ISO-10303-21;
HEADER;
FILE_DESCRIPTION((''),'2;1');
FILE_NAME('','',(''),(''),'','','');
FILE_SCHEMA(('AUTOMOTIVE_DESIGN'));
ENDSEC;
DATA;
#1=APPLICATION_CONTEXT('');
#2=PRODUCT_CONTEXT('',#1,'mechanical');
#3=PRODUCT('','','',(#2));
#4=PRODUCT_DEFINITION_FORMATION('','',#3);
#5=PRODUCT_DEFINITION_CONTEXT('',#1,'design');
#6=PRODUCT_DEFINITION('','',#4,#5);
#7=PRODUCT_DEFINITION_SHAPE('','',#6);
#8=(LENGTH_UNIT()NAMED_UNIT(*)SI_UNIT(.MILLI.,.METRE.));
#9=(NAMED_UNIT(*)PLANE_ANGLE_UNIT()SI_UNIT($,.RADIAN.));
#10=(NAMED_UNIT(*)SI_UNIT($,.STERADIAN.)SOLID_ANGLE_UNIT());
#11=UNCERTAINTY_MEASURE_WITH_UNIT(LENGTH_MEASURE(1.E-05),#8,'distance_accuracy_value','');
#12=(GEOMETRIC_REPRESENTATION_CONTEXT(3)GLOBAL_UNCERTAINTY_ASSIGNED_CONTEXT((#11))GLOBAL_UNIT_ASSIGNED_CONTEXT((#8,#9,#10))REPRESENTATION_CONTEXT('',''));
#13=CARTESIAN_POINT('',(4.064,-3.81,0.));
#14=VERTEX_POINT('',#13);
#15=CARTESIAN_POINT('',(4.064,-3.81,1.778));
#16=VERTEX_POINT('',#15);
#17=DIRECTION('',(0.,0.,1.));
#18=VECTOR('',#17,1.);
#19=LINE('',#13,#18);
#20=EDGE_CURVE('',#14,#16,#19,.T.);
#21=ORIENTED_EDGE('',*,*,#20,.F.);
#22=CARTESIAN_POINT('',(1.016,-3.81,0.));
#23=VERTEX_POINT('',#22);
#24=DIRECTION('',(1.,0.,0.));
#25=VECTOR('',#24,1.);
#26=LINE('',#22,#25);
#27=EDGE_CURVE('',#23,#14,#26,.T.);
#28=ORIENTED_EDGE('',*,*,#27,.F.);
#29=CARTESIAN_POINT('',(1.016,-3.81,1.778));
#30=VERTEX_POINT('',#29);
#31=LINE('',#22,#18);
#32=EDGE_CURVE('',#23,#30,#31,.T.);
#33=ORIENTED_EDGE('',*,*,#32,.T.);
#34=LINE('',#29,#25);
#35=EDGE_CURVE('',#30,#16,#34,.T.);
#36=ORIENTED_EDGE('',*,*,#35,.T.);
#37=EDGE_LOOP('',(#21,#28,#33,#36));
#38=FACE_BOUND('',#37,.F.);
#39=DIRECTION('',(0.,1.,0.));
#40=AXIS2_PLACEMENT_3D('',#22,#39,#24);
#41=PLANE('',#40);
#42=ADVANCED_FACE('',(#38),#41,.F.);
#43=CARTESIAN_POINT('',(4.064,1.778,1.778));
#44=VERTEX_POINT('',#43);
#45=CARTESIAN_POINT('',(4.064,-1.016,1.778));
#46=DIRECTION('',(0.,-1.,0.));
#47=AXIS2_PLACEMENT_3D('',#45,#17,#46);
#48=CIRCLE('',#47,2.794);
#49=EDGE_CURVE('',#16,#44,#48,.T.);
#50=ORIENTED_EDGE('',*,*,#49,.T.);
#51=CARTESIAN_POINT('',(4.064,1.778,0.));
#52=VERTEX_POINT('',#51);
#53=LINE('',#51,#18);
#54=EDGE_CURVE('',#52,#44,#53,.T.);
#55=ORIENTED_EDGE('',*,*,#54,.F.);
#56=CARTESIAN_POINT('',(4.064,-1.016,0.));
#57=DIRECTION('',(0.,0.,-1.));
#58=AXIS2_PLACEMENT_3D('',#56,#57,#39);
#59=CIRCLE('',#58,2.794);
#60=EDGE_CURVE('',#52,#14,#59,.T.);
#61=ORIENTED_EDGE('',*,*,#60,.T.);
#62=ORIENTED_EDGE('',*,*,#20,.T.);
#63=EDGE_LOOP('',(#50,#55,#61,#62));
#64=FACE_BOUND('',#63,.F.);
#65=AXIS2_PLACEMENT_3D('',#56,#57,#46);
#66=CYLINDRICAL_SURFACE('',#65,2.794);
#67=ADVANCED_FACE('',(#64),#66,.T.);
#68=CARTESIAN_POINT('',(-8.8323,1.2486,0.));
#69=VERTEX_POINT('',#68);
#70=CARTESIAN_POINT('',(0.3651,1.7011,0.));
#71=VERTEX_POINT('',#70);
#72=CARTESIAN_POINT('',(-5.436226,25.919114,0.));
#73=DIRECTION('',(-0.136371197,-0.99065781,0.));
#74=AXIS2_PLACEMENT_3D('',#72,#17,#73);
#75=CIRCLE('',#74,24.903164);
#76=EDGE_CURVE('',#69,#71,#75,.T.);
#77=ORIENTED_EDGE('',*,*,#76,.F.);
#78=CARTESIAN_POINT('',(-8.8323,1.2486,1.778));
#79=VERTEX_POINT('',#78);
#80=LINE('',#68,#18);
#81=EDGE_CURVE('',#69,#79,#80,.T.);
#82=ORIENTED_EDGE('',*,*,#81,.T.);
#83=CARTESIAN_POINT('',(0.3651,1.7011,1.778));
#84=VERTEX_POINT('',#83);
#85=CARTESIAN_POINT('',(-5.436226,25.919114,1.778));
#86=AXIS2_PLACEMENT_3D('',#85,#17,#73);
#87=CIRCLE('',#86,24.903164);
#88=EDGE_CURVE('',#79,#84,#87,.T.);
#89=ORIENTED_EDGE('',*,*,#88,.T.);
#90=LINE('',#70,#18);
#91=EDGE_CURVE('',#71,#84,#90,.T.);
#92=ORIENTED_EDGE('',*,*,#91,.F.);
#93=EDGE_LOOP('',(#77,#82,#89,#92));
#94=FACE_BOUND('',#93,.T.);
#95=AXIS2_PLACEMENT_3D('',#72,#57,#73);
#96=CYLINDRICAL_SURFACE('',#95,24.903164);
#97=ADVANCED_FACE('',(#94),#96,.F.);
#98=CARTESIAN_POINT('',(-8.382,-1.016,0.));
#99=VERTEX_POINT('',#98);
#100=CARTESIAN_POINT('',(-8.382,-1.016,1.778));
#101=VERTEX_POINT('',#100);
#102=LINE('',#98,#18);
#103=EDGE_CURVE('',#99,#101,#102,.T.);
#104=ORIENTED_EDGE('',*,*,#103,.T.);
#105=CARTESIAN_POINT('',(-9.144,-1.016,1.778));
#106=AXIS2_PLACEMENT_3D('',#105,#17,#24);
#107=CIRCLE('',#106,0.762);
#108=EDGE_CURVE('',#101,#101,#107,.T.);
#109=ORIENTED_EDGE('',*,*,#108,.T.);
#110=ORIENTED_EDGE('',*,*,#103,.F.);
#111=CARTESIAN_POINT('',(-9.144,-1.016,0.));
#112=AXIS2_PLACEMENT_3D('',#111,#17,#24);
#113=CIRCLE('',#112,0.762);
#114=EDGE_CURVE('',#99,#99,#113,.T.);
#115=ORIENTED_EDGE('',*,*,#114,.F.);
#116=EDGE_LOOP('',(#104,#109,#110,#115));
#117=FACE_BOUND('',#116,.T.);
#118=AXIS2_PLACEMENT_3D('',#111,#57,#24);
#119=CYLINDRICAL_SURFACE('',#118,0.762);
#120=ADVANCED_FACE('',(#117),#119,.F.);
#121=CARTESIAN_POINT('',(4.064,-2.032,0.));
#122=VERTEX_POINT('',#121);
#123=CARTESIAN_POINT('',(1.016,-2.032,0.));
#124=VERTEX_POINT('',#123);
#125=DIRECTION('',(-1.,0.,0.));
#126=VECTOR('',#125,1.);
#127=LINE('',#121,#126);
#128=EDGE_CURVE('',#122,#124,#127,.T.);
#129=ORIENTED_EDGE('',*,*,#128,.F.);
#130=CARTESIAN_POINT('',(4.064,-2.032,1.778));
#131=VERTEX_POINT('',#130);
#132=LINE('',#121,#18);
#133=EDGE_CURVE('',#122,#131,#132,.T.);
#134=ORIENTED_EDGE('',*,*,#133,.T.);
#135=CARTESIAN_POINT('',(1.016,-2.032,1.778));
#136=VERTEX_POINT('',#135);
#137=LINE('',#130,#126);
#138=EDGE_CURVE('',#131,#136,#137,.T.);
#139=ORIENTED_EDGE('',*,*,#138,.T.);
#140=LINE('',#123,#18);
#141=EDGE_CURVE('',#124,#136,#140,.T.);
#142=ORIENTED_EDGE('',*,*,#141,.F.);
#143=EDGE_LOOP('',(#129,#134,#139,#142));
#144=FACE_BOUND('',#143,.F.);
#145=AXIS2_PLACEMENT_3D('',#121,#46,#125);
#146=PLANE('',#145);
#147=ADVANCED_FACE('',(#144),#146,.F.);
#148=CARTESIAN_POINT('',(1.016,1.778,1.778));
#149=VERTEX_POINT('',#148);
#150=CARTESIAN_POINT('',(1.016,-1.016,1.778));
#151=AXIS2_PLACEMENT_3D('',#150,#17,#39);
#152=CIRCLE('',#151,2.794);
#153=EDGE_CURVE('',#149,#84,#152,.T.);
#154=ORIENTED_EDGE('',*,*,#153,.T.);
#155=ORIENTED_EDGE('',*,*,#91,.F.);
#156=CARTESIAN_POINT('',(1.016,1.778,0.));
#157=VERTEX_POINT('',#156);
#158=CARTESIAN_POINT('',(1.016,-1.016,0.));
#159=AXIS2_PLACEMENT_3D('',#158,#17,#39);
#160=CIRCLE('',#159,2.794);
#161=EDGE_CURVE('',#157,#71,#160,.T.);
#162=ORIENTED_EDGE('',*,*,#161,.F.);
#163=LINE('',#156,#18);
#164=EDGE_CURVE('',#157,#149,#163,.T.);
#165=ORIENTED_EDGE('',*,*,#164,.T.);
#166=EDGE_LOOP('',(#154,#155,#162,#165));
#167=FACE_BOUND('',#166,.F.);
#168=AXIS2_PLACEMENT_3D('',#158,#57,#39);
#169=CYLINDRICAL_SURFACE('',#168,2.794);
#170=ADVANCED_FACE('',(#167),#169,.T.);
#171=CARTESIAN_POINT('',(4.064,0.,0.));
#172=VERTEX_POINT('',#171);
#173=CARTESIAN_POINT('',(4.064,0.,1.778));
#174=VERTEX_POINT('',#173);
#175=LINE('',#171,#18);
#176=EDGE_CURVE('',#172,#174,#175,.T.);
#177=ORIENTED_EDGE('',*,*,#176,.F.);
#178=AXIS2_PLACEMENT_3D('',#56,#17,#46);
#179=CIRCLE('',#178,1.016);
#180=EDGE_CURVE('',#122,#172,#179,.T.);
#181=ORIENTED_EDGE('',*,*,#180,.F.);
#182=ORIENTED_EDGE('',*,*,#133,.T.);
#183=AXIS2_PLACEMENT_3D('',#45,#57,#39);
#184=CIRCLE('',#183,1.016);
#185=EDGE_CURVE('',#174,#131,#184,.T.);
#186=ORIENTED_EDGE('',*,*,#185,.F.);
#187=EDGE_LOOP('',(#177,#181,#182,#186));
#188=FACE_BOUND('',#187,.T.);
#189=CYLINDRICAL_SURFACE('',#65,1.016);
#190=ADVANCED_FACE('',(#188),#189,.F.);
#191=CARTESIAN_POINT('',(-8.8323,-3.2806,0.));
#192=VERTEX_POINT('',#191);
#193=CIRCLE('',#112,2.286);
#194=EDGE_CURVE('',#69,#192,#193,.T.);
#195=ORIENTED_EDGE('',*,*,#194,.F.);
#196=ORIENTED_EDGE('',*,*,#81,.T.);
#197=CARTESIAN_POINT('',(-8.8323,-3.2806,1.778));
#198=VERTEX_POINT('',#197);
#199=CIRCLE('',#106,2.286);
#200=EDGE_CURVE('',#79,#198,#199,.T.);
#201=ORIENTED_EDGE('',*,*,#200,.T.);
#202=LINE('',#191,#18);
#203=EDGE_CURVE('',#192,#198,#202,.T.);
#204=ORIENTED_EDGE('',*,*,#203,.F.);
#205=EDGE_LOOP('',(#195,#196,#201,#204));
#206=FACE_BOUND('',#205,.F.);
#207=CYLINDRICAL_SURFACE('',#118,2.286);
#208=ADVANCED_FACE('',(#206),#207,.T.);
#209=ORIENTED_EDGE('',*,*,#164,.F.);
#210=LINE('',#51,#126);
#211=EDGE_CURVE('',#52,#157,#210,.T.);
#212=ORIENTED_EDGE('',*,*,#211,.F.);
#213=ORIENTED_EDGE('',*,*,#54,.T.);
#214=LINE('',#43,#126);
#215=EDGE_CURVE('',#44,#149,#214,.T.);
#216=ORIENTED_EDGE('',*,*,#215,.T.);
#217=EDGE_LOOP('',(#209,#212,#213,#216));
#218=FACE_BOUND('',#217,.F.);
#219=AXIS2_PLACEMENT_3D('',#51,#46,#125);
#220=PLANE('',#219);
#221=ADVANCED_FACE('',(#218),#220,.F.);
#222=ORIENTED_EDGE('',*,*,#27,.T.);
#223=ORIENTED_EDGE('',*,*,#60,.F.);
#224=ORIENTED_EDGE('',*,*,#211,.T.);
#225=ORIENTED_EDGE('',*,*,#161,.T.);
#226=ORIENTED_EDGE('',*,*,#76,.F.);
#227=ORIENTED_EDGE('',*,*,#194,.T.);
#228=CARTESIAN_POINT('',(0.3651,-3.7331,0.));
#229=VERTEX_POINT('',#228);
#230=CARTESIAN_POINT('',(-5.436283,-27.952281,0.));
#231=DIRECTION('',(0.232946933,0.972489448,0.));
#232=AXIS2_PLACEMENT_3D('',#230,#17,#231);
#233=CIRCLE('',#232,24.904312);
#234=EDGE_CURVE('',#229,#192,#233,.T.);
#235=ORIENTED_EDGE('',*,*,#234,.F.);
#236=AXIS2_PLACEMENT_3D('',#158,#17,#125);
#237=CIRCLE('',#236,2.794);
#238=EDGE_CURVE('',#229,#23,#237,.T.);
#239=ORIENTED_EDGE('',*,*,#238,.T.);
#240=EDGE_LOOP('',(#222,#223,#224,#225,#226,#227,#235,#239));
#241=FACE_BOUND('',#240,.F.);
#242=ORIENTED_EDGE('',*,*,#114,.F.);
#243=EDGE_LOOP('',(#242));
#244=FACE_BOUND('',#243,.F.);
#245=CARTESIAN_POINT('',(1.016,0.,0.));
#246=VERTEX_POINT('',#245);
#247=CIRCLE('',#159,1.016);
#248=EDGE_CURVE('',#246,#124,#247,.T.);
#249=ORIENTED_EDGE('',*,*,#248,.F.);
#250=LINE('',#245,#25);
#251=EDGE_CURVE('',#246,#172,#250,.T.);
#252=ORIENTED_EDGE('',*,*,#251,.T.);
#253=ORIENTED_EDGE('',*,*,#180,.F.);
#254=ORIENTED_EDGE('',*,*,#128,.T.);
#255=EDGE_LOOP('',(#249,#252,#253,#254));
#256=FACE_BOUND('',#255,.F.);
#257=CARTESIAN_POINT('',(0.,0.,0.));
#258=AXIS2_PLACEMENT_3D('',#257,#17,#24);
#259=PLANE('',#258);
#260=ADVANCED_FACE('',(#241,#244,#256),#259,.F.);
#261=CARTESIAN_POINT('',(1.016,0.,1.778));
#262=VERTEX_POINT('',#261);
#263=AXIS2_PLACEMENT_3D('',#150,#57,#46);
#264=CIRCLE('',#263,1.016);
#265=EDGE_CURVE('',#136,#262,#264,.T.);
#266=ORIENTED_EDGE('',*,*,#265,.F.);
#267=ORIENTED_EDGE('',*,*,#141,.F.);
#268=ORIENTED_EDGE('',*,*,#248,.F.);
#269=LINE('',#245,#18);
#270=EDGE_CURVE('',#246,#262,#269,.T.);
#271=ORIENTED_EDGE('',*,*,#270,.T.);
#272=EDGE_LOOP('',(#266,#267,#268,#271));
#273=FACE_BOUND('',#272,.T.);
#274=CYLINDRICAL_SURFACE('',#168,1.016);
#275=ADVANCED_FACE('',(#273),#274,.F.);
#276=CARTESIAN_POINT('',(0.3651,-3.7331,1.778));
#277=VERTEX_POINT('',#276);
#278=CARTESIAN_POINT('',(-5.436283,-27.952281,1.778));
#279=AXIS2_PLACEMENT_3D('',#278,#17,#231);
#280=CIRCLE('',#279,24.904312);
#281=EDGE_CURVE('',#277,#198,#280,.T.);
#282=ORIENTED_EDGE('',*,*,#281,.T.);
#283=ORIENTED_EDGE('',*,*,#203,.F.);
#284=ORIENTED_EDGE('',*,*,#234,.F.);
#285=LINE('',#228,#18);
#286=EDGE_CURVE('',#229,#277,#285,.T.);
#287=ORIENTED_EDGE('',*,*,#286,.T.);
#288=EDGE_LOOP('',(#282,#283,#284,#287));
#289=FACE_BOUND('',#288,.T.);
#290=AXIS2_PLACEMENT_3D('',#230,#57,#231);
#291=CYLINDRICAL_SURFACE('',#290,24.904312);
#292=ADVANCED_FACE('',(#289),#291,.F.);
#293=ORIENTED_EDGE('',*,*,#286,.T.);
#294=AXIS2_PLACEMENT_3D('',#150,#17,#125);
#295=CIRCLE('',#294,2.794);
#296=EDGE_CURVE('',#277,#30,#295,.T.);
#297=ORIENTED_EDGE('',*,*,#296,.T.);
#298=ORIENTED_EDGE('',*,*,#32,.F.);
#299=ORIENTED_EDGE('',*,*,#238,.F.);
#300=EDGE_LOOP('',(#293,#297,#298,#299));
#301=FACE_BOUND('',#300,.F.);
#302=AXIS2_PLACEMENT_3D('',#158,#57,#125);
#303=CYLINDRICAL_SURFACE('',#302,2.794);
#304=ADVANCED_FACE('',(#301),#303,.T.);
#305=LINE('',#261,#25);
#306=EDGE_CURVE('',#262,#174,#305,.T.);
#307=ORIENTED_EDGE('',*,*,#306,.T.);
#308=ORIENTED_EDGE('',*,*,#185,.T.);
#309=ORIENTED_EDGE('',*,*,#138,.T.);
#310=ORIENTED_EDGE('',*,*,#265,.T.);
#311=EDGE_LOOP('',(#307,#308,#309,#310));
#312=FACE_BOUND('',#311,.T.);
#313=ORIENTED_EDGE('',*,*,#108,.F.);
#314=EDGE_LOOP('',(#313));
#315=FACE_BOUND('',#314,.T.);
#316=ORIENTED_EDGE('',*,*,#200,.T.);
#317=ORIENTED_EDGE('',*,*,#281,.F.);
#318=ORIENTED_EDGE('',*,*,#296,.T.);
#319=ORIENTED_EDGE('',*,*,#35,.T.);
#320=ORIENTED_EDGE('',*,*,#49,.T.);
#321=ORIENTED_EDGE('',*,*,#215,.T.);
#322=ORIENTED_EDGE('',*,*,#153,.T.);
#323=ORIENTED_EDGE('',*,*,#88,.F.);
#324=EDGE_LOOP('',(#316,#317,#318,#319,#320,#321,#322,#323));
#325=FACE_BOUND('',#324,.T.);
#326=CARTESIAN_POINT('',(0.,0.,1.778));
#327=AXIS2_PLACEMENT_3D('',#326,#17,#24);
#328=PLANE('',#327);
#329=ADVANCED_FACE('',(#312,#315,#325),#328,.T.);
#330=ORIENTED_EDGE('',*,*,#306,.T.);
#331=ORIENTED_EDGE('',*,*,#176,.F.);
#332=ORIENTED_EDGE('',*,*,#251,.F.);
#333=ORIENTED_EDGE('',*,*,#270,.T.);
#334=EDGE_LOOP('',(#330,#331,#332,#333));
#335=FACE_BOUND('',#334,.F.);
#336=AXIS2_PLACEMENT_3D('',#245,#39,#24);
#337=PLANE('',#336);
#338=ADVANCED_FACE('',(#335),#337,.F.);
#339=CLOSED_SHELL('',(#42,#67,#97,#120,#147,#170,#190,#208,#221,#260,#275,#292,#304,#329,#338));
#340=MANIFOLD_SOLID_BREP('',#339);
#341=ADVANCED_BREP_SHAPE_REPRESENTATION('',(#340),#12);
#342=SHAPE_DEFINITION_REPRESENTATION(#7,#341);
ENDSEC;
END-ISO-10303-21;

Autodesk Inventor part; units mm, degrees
ref_plane "YZ Plane" through (0, 0, 0) normal (1, 0, 0) x (0, 1, 0)
ref_plane "XZ Plane" through (0, 0, 0) normal (0, 1, 0) x (-1, 0, 0)
ref_plane "XY Plane" through (0, 0, 0) normal (0, 0, 1) x (1, 0, 0)
sketch "Sketch1" plane through (0, 0, 0) normal (0, 0, 1) x (1, 0, 0)
  line L0 (1.016, 0) -> (4.064, 0)
  line L1 (5.08, -1.016) -> (5.08, -1.016)
  line L2 (4.064, -2.032) -> (1.016, -2.032)
  line L3 (0, -1.016) -> (0, -1.016)
  line L4 (1.016, -3.81) -> (4.064, -3.81)
  line L5 (6.858, -1.016) -> (6.858, -1.016)
  line L6 (4.064, 1.778) -> (1.016, 1.778)
  line L7 (-1.778, -1.016) -> (-1.778, -1.016)
  arc A0 (6.858, -1.016) -> (4.064, 1.778) centre (4.064, -1.016) ccw
  arc A1 (4.064, -3.81) -> (6.858, -1.016) centre (4.064, -1.016) ccw
  arc A2 (5.08, -1.016) -> (4.064, 0) centre (4.064, -1.016) ccw
  arc A3 (4.064, -2.032) -> (5.08, -1.016) centre (4.064, -1.016) ccw
  arc A4 (1.016, 0) -> (0, -1.016) centre (1.016, -1.016) ccw
  arc A5 (0, -1.016) -> (1.016, -2.032) centre (1.016, -1.016) ccw
  circle A6 centre (-9.144, -1.016) radius 2.286
  circle A7 centre (-9.144, -1.016) radius 0.762
  arc A8 (1.016, 1.778) -> (-1.778, -1.016) centre (1.016, -1.016) ccw
  arc A9 (-1.778, -1.016) -> (1.016, -3.81) centre (1.016, -1.016) ccw
  arc A10 (-8.8323, 1.2486) -> (0.3651, 1.7011) centre (-5.4362, 25.9197) ccw
  arc A11 (0.3651, -3.7331) -> (-8.8323, -3.2806) centre (-5.4362, -27.9517) ccw
  line L8 (-8.0967, 1.016) -> (-0.9017, 1.016) construction
  line L9 (-8.0967, -3.048) -> (-0.9017, -3.048) construction
  line L10 (-6.858, -1.016) -> (-1.778, -1.016) construction
  point P0 (0, 0)
  point P1 (5.08, -2.032)
  point P2 (5.08, 0)
  point P3 (0, -2.032)
  point P4 (6.858, -3.81)
  point P5 (6.858, 1.778)
  point P6 (-8.382, -1.016)
  point P7 (5.08, -1.016)
  dimension "d15" = 1.524
  dimension "d0" = 5.08
  dimension "d1" = 2.032
  dimension "d2" = 1.778
  dimension "d3" = 5.588
  dimension "d4" = 2.794
  dimension "d5" = 2.794
  dimension "d6" = 1.016
  dimension "d8" = 1.524
  dimension "d9" = 2.794
  dimension "d10" = 8.382
  dimension "d11" = 4.064
  dimension "d12" = 2.032
extrude "Extrusion1" add sketch "Sketch1" along normal blind 1.778
properties part number "Elbow holder" material "Phenolic Resin"
